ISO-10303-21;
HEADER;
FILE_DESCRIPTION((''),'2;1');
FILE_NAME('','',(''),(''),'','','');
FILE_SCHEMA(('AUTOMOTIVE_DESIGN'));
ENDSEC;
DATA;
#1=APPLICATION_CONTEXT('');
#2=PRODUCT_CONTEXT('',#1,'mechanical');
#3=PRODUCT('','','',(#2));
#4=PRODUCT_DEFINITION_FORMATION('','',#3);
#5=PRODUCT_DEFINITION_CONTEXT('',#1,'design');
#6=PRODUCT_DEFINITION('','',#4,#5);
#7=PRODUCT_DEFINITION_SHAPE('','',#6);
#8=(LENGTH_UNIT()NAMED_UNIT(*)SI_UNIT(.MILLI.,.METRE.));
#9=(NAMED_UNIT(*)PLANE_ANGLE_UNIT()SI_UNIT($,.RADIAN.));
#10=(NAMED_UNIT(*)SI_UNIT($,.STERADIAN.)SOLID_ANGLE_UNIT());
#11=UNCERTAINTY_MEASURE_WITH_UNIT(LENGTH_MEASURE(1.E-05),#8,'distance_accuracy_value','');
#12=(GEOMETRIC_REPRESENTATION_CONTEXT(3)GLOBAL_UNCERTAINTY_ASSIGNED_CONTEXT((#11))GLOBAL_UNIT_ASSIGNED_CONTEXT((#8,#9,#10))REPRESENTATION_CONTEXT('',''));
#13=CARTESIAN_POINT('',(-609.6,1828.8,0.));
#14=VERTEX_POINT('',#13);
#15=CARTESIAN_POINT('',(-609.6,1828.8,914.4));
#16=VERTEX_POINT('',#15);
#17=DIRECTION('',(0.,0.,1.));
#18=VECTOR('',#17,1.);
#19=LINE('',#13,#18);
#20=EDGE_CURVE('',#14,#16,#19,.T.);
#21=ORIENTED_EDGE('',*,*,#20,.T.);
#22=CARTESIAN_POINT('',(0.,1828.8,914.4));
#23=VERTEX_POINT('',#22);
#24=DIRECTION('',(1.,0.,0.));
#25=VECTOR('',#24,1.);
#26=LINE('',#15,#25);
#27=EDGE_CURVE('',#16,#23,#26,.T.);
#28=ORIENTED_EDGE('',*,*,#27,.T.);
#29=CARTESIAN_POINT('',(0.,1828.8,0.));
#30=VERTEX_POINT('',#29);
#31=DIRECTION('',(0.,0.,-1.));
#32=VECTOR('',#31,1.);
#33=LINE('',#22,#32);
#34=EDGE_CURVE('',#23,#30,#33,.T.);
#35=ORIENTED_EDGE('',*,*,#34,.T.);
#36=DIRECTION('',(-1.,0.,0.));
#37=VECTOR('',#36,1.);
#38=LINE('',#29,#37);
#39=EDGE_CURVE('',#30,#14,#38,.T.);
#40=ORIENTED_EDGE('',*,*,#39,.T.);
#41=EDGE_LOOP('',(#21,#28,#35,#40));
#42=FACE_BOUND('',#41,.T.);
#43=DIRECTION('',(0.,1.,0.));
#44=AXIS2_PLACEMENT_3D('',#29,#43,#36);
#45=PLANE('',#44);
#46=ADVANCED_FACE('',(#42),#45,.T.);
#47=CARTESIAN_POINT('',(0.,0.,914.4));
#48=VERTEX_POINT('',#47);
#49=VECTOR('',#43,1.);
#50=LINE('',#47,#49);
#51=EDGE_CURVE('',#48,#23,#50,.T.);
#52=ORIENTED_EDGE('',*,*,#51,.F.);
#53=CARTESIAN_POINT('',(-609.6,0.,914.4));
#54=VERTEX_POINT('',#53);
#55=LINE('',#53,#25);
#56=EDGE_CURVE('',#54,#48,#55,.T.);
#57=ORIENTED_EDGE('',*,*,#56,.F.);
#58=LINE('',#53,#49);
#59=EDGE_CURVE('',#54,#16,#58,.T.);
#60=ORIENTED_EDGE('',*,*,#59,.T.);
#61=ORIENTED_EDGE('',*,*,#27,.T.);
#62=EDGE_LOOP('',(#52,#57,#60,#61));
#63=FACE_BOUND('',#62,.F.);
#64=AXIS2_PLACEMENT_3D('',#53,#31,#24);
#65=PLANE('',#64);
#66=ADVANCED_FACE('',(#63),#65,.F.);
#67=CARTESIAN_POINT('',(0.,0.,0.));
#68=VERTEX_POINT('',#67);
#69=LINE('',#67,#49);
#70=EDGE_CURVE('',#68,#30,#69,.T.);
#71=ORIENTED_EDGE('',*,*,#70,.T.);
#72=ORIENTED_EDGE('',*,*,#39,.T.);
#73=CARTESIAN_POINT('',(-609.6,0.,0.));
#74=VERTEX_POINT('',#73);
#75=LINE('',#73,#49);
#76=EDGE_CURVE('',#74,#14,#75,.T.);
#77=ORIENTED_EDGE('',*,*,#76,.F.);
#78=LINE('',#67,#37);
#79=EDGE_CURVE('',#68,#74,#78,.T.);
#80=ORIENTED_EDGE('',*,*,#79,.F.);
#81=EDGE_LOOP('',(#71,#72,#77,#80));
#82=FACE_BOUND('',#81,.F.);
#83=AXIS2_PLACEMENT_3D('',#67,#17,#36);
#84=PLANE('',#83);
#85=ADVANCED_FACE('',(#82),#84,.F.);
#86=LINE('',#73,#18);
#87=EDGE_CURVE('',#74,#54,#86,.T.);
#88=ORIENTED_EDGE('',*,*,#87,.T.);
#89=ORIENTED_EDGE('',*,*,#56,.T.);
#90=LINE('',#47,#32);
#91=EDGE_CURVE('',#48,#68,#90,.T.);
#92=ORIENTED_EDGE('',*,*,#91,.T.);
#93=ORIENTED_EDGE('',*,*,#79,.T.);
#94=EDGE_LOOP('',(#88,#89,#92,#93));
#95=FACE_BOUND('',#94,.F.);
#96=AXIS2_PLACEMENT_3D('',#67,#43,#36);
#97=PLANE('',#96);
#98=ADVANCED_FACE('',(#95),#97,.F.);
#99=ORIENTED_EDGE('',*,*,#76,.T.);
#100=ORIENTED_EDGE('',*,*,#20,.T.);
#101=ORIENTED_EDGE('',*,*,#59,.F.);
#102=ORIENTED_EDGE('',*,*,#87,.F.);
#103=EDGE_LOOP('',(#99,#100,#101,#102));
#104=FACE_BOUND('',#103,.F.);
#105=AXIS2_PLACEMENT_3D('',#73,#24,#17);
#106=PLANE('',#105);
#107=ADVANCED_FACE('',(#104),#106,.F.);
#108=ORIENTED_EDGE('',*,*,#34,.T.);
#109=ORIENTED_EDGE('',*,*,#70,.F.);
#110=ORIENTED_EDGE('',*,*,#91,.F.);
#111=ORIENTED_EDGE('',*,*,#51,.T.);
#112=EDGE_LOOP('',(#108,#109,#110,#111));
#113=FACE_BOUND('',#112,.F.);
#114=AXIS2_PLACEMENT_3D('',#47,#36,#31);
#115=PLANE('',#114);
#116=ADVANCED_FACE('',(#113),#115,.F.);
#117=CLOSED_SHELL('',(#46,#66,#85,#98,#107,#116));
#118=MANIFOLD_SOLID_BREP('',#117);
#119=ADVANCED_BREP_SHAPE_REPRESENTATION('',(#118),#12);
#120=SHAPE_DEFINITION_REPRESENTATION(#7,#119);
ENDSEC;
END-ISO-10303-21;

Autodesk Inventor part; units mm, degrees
ref_plane "YZ Plane" through (0, 0, 0) normal (1, 0, 0) x (0, 1, 0)
ref_plane "XZ Plane" through (0, 0, 0) normal (0, 1, 0) x (-1, 0, 0)
ref_plane "XY Plane" through (0, 0, 0) normal (0, 0, 1) x (1, 0, 0)
sketch "Sketch1" plane through (0, 0, 0) normal (0, 1, 0) x (-1, 0, 0)
  line L0 (0, 0) -> (609.6, 0)
  line L1 (609.6, 0) -> (609.6, 914.4)
  line L2 (609.6, 914.4) -> (0, 914.4)
  line L3 (0, 914.4) -> (0, 0)
  dimension "d0" = 609.6
  dimension "d1" = 914.4
extrude "Extrusion1" add sketch "Sketch1" along normal blind 1828.8
properties part number "shelves"
